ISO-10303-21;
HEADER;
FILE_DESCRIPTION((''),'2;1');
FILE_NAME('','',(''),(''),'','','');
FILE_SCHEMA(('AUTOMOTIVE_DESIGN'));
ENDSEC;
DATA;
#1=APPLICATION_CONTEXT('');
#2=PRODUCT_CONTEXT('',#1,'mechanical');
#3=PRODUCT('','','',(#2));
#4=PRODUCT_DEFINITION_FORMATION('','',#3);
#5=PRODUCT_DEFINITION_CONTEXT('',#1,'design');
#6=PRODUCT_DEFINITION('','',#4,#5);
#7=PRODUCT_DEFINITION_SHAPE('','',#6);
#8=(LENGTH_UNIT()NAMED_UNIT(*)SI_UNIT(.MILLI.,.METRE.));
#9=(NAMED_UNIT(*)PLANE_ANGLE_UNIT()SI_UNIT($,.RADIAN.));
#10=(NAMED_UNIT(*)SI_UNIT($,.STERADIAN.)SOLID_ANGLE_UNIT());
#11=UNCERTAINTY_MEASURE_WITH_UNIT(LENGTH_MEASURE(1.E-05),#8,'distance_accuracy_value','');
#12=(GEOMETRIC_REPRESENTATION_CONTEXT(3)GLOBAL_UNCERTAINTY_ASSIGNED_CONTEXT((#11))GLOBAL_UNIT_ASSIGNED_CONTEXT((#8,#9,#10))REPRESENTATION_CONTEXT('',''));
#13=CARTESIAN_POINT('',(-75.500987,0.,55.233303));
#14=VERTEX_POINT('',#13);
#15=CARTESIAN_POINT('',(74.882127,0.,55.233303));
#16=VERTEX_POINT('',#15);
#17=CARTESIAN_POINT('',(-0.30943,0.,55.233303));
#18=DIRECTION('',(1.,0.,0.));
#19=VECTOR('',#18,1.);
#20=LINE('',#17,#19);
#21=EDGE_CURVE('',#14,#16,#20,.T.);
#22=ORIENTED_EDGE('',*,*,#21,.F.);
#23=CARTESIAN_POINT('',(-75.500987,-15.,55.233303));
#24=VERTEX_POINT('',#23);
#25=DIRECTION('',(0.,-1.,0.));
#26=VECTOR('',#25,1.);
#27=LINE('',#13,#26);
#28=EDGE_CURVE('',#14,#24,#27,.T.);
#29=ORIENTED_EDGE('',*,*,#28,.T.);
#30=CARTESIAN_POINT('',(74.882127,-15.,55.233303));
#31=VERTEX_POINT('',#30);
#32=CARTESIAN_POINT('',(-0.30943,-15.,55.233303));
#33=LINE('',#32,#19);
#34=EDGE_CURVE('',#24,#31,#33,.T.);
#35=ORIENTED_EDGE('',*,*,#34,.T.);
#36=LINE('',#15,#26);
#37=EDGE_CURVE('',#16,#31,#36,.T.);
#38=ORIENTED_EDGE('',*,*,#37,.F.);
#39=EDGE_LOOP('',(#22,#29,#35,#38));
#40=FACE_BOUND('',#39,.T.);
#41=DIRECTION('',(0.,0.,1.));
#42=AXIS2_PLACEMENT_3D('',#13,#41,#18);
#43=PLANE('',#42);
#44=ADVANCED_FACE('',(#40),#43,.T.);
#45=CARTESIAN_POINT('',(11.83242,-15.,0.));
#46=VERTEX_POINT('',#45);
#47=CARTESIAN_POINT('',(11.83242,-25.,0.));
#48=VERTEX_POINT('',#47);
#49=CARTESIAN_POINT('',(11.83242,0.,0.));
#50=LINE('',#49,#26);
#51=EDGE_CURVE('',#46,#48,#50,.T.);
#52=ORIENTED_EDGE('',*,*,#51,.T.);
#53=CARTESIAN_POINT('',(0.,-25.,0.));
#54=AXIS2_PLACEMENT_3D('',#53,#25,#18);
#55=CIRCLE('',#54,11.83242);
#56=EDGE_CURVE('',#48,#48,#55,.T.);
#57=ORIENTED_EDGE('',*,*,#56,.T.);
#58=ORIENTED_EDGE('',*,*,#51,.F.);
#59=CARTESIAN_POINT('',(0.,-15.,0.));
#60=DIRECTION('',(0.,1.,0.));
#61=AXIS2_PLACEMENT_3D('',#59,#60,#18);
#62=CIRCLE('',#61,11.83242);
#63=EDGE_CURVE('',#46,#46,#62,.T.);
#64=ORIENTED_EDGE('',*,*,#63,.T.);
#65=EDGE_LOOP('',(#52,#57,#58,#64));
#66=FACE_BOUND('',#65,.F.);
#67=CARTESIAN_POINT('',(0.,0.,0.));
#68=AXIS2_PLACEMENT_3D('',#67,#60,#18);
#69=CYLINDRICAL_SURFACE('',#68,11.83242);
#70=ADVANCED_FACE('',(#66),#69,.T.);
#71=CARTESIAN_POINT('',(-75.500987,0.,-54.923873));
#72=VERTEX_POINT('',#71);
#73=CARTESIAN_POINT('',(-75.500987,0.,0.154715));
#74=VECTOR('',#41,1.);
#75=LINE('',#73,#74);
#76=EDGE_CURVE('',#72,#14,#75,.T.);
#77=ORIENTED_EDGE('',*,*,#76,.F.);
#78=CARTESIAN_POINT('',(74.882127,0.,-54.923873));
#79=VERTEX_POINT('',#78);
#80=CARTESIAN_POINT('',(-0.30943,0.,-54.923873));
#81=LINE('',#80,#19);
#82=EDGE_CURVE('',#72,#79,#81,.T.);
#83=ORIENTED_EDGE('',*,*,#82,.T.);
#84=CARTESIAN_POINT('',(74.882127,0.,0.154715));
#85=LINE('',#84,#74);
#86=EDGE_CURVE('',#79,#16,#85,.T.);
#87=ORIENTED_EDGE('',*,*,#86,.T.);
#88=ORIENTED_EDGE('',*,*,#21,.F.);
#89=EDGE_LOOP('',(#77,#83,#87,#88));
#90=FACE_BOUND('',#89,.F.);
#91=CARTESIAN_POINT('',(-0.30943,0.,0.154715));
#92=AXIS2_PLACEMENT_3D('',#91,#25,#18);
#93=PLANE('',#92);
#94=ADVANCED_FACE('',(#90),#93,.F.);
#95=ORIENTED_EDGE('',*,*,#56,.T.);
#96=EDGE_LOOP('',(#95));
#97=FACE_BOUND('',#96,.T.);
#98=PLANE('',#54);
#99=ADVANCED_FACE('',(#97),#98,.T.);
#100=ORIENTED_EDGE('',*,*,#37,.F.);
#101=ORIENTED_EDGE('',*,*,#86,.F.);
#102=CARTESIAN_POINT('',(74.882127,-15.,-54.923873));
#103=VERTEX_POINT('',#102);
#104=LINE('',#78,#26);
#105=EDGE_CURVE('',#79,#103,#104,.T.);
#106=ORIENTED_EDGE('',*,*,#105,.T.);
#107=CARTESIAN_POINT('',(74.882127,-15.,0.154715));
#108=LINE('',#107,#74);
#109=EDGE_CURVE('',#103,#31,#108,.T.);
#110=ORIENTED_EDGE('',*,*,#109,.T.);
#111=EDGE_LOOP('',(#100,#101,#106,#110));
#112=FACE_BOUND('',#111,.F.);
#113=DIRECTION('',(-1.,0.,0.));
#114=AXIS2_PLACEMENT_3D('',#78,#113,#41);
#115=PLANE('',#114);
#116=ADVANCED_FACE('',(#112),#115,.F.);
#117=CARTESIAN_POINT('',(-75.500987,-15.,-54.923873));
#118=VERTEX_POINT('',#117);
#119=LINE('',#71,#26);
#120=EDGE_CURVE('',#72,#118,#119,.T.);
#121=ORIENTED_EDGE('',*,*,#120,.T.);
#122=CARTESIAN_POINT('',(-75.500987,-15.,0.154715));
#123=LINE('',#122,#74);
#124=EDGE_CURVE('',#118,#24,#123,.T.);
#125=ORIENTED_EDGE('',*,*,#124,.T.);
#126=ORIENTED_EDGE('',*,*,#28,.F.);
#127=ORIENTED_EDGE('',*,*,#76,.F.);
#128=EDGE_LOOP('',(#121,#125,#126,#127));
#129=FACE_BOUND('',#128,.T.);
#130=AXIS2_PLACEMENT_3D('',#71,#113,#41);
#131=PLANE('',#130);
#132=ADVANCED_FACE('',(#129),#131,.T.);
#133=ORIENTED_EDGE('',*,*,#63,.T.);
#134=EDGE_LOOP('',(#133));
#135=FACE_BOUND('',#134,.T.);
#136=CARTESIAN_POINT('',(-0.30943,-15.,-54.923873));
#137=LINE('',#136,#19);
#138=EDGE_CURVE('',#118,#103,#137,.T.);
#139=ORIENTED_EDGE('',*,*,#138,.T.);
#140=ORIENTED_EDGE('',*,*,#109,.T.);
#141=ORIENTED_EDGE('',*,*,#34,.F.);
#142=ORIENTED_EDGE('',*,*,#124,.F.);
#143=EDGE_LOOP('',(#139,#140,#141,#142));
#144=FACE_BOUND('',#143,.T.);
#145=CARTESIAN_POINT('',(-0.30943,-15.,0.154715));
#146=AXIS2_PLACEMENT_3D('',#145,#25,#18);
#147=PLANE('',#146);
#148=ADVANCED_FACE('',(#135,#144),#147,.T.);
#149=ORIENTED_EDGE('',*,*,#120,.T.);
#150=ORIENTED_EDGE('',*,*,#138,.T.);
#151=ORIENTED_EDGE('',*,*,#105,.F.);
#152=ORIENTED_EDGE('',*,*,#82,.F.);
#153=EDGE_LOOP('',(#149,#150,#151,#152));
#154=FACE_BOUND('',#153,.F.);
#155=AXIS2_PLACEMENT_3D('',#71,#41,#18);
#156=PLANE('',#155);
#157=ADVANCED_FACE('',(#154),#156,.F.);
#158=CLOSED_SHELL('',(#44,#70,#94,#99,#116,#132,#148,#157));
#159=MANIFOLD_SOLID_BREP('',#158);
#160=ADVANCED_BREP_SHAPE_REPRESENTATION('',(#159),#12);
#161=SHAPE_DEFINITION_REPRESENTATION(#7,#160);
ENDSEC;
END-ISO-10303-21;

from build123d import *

# Parameters (mm, degrees)
F1_R     = 11.83242
F2_DEPTH = 25
F0_W     = 150.383114
F0_H     = 110.157176
F3_DEPTH = 15


with BuildPart() as f2:
    # F1 (on face) → F2 (new body)
    with BuildSketch(Plane.XZ):
        Circle(F1_R)
    extrude(amount=F2_DEPTH)

    # F0 (on Front) → F3 (join)
    with BuildSketch(Plane.XZ):
        with Locations((-0.30943, 0.154715)):
            Rectangle(F0_W, F0_H)
    extrude(amount=F3_DEPTH)


solid = f2.part
